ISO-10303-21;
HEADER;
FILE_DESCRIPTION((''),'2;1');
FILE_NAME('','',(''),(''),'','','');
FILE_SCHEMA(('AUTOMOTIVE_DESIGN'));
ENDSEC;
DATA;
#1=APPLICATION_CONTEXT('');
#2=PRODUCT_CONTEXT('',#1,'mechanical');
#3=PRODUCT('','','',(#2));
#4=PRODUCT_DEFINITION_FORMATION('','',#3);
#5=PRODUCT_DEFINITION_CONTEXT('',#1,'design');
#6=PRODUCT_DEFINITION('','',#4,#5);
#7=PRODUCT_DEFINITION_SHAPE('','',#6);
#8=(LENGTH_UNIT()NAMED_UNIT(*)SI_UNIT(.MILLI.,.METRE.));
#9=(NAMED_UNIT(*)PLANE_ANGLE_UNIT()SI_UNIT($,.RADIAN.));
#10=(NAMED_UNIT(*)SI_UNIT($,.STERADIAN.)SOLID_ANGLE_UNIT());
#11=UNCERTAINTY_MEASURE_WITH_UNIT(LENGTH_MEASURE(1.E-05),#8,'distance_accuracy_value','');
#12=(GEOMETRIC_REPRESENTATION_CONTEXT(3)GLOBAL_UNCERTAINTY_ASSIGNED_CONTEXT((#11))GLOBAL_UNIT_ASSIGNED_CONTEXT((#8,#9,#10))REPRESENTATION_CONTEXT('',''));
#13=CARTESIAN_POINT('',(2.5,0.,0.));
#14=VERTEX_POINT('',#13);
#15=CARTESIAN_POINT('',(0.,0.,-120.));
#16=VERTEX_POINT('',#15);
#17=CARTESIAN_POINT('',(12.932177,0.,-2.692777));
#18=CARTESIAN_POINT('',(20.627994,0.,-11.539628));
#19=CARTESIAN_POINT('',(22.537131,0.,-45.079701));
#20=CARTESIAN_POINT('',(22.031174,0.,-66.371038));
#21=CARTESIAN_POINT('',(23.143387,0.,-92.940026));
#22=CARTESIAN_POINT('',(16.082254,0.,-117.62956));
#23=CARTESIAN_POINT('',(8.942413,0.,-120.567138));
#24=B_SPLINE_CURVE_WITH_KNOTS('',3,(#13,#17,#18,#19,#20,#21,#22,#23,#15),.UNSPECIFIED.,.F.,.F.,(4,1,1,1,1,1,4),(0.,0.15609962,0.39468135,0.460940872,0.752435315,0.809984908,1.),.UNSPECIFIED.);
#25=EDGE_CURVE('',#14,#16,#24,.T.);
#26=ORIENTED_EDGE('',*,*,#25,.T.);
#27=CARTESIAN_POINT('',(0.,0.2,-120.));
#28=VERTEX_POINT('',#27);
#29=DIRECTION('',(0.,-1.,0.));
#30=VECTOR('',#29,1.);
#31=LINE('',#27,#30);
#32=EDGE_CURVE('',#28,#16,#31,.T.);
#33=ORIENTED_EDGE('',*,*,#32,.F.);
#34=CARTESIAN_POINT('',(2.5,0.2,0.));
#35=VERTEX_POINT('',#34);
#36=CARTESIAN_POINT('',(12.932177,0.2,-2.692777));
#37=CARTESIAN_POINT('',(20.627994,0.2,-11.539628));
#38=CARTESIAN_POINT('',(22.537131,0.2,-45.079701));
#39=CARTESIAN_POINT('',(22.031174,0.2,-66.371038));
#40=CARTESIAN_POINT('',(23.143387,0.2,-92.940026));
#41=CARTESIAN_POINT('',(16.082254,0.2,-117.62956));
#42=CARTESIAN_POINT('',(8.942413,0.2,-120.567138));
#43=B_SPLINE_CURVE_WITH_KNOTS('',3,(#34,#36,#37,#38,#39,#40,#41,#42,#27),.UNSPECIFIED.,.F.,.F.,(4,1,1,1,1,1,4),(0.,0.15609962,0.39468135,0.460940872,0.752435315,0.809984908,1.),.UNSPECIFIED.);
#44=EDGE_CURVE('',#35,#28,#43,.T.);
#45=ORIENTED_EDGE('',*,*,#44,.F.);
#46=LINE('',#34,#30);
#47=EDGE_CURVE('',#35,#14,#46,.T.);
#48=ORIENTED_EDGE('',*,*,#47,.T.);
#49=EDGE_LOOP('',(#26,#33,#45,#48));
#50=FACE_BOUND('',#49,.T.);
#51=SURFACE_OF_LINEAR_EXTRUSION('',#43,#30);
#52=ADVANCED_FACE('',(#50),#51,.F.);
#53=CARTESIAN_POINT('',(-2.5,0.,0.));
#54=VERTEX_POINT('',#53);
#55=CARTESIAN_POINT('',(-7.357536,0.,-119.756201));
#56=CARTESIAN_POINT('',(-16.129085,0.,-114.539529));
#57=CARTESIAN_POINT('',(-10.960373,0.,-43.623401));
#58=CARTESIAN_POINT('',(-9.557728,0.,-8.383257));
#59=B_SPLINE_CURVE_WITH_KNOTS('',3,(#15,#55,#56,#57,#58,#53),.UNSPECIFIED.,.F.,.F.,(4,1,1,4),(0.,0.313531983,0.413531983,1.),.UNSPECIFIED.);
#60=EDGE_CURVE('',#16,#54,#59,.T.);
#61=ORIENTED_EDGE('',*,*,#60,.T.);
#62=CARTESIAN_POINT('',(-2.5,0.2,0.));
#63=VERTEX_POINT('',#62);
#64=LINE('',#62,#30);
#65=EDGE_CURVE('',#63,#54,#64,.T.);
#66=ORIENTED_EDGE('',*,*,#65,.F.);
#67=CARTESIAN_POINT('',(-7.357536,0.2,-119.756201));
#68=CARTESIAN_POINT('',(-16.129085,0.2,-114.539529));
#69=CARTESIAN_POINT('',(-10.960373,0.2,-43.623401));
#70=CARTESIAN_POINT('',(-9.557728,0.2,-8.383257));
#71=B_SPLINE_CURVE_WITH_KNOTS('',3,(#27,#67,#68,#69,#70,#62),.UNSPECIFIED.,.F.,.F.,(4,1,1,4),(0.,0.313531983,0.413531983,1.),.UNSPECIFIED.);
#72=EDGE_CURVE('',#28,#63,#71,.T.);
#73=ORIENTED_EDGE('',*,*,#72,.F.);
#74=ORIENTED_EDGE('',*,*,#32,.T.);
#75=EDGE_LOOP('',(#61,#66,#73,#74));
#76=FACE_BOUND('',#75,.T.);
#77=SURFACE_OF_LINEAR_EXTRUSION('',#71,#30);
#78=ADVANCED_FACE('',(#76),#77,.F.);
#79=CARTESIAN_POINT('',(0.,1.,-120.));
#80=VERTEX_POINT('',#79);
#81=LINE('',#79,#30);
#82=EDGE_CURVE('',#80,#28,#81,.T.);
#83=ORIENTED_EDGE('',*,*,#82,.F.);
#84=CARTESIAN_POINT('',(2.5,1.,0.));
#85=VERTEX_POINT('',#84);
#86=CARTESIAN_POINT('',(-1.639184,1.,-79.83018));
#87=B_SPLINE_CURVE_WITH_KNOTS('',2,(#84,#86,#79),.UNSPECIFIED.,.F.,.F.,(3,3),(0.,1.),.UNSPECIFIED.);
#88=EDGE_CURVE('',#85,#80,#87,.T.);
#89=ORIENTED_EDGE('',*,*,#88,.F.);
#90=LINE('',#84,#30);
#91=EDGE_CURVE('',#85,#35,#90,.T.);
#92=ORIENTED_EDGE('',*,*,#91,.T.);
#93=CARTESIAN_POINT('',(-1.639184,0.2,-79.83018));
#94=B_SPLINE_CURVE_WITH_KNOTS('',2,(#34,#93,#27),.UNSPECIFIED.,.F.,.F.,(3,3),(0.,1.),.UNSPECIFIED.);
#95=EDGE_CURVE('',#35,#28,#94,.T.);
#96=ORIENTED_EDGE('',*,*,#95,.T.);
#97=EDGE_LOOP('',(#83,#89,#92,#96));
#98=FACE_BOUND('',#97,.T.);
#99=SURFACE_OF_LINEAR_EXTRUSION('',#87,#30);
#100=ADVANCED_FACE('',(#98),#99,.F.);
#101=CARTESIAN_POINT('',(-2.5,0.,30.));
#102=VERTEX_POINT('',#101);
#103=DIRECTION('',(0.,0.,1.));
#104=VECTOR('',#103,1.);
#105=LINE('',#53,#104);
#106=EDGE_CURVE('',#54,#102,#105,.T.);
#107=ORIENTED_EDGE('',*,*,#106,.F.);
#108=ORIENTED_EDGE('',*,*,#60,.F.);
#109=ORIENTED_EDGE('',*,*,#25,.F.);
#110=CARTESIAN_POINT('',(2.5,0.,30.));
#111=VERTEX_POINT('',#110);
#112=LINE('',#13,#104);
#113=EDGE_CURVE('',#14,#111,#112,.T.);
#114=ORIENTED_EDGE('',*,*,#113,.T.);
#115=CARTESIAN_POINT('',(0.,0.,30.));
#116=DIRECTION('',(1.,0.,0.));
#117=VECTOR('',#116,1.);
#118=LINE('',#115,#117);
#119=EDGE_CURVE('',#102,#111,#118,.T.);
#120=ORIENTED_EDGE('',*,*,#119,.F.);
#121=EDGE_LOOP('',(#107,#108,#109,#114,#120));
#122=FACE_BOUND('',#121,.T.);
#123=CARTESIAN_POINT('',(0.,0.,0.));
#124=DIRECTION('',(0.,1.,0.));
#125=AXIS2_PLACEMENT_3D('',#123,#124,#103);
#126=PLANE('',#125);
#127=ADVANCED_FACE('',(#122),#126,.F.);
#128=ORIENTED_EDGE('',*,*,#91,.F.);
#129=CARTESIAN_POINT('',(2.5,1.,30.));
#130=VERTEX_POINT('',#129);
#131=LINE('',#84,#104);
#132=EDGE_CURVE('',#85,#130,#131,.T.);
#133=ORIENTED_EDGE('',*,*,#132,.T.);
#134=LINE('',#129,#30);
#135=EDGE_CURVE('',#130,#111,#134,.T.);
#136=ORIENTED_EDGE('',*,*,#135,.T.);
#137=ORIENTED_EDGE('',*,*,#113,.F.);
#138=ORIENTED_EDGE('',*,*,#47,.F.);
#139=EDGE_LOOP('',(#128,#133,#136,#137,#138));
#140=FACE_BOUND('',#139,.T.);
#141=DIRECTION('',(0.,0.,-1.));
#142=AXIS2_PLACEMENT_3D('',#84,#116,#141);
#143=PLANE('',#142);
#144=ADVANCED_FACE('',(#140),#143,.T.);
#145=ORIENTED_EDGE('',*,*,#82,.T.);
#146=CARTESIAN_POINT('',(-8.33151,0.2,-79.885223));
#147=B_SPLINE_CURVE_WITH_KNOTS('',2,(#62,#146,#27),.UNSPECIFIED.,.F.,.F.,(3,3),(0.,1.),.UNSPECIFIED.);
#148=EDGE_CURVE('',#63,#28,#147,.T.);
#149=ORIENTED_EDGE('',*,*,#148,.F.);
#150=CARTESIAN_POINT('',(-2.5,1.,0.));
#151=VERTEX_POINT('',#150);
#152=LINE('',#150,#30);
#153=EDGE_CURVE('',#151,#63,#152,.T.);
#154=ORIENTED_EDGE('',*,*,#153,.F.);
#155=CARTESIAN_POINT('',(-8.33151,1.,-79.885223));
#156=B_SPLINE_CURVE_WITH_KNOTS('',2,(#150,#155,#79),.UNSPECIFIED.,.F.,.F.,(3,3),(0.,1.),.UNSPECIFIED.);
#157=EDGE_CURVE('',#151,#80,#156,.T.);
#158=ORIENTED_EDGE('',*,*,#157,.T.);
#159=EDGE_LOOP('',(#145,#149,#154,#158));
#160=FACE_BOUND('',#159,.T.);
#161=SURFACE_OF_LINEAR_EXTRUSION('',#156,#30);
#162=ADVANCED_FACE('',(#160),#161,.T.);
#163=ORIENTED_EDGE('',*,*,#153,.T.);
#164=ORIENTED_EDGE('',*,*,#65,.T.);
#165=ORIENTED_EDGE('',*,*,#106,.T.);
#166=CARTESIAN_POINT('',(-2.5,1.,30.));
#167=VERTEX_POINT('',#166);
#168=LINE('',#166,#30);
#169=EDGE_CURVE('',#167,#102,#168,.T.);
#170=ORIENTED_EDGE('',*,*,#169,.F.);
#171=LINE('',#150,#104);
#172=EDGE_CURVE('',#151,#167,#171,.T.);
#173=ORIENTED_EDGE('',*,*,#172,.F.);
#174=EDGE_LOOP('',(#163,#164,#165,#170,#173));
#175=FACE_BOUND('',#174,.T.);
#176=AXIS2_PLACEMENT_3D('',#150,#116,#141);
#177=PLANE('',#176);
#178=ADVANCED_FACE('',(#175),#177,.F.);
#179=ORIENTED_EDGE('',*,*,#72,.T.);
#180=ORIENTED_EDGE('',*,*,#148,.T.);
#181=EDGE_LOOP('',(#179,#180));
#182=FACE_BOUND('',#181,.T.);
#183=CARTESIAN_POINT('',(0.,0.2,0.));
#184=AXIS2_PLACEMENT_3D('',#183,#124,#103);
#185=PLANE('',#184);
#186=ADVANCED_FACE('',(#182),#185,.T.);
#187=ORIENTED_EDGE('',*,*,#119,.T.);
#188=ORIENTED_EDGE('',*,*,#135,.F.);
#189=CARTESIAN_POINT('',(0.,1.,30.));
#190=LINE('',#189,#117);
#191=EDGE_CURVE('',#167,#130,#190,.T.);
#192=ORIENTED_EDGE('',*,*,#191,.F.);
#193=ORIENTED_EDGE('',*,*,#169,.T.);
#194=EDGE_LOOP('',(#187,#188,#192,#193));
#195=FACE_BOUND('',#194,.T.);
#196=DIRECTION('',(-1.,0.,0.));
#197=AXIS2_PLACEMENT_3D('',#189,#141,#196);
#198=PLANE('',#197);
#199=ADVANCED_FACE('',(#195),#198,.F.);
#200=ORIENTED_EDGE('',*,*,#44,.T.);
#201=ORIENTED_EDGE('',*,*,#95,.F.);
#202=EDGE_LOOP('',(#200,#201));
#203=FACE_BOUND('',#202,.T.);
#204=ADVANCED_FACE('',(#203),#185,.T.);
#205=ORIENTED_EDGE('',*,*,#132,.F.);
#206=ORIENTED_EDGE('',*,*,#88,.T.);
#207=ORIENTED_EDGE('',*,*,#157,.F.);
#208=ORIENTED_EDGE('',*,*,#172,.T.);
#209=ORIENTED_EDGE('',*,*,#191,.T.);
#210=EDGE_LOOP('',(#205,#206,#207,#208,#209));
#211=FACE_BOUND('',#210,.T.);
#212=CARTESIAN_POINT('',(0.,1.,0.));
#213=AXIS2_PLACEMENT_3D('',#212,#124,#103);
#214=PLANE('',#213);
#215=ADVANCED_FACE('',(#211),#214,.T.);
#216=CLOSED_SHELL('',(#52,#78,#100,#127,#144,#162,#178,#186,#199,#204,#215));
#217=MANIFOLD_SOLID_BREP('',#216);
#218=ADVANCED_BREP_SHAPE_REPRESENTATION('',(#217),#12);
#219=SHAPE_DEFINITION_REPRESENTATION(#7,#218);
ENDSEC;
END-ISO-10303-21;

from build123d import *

# Parameters (mm, degrees)
BOSS_EXTRUDE1_DEPTH = 1
BOSS_EXTRUDE2_DEPTH = 0.2


with BuildPart() as part:
    # Sketch2 → Boss-Extrude1 (new body)
    with BuildSketch(Plane(origin=(0, 0, 0), x_dir=(1, 0, 0), z_dir=(0, 1, 0))):
        with BuildLine():
            add(Edge.make_bspline(
                [(-2.5, 0), (-8.331510312, 79.88522278), (0, 120)],
                knots=[0, 0, 0, 1, 1, 1], degree=2))
            Line((-2.5, 0), (-2.5, -30))
            Line((-2.5, -30), (2.5, -30))
            Line((2.5, -30), (2.5, 0))
            add(Edge.make_bspline(
                [(2.5, 0), (-1.639184348, 79.830180153), (0, 120)],
                knots=[0, 0, 0, 1, 1, 1], degree=2))
        make_face()
    extrude(amount=BOSS_EXTRUDE1_DEPTH)

    # Sketch2<4> → Boss-Extrude2 (add)
    with BuildSketch(Plane(origin=(0, 0, 0), x_dir=(1, 0, 0), z_dir=(0, 1, 0))):
        with BuildLine():
            add(Edge.make_bspline(
                [(0, 120), (-7.357536045, 119.756200735), (-16.129085045, 114.539529428), (-10.960373375, 43.623400867), (-9.557728223, 8.38325723), (-2.5, 0)],
                knots=[0, 0, 0, 0, 0.313531983, 0.413531983, 1, 1, 1, 1], degree=3))
            add(Edge.make_bspline(
                [(-2.5, 0), (-8.331510312, 79.88522278), (0, 120)],
                knots=[0, 0, 0, 1, 1, 1], degree=2))
        make_face()
        with BuildLine():
            add(Edge.make_bspline(
                [(2.5, 0), (12.93217727, 2.692777353), (20.627994331, 11.539628461), (22.537131076, 45.079701294), (22.031174233, 66.371038208), (23.143387213, 92.940026456), (16.08225383, 117.629559659), (8.942412889, 120.567138422), (0, 120)],
                knots=[0, 0, 0, 0, 0.15609962, 0.39468135, 0.460940872, 0.752435315, 0.809984908, 1, 1, 1, 1], degree=3))
            add(Edge.make_bspline(
                [(2.5, 0), (-1.639184348, 79.830180153), (0, 120)],
                knots=[0, 0, 0, 1, 1, 1], degree=2))
        make_face()
    extrude(amount=BOSS_EXTRUDE2_DEPTH)


solid = part.part
